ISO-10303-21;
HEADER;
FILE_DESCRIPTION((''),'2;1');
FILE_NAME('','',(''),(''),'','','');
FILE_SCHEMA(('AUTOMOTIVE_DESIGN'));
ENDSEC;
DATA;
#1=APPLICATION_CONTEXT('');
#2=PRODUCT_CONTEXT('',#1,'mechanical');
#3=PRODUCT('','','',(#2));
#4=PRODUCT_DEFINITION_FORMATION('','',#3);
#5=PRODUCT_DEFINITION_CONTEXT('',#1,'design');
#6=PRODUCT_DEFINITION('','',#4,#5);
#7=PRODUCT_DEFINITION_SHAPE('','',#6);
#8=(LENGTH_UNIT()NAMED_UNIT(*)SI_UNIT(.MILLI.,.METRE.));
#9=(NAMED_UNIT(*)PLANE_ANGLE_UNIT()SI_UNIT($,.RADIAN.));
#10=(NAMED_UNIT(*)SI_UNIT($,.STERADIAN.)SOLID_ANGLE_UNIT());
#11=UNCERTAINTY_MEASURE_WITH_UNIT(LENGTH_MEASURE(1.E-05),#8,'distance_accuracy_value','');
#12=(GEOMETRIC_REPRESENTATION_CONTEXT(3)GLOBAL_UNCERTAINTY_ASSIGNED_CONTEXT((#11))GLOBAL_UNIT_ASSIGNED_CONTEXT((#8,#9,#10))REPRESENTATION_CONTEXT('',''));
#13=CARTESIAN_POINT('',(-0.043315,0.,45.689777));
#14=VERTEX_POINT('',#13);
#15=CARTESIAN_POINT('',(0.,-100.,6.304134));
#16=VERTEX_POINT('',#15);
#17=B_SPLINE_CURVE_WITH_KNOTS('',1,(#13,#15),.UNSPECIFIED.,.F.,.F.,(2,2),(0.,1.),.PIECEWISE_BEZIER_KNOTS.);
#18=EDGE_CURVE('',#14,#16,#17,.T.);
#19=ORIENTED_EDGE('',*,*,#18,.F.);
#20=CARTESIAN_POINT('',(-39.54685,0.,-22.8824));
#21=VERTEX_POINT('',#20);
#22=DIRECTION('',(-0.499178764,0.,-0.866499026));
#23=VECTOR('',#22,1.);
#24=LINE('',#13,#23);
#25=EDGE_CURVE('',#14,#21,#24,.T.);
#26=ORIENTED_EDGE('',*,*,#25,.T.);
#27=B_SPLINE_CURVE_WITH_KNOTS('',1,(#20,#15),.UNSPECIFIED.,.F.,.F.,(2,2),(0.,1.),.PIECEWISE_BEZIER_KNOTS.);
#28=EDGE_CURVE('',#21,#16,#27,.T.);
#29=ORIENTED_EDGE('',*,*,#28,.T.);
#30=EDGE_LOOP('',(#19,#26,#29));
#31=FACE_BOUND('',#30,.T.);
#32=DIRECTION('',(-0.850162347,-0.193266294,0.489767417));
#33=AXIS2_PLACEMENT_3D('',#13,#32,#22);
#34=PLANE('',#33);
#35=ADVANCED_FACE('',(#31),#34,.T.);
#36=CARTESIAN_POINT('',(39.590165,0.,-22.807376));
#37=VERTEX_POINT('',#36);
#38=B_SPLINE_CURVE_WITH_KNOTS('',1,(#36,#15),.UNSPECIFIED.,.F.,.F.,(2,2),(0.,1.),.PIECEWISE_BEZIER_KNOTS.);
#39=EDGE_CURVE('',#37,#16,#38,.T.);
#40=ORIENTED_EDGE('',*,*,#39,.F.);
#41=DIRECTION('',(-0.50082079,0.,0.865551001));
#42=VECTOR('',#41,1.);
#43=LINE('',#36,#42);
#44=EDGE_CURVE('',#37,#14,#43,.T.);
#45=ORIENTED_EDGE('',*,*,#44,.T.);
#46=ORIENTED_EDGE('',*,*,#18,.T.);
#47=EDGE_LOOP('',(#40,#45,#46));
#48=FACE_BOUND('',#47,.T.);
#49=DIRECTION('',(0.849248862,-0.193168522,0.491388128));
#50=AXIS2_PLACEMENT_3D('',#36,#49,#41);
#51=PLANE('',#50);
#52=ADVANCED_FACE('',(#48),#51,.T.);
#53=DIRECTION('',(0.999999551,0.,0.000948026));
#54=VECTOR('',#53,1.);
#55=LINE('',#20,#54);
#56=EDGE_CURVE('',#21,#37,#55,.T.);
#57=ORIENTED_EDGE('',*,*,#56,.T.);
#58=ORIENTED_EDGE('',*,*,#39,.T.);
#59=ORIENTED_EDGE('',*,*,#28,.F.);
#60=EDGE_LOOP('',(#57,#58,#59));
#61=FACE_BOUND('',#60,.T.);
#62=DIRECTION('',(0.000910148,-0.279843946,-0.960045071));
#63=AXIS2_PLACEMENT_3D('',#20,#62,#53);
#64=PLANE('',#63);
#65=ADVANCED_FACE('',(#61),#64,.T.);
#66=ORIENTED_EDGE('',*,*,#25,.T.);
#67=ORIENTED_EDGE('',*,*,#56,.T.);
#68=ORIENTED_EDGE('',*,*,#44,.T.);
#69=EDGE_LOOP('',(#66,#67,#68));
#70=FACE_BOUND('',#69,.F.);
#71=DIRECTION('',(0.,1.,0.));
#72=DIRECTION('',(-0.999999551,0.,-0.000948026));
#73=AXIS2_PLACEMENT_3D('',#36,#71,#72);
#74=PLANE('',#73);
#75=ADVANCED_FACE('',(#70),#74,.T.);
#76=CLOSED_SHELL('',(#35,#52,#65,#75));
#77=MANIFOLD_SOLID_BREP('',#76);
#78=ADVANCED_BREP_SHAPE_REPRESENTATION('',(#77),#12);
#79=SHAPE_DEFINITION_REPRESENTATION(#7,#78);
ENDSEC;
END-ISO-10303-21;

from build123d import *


with BuildPart() as f3:
    # F0 (on Front) → F3 section 0
    with BuildSketch(Plane.XZ, mode=Mode.PRIVATE) as f3_s0:
        Polygon((39.590165, -22.807376), (-0.043315, 45.689777), (-39.54685, -22.8824), align=None)
    loft([f3_s0.sketch, Vertex(0, -100, 6.304134)])


solid = f3.part
